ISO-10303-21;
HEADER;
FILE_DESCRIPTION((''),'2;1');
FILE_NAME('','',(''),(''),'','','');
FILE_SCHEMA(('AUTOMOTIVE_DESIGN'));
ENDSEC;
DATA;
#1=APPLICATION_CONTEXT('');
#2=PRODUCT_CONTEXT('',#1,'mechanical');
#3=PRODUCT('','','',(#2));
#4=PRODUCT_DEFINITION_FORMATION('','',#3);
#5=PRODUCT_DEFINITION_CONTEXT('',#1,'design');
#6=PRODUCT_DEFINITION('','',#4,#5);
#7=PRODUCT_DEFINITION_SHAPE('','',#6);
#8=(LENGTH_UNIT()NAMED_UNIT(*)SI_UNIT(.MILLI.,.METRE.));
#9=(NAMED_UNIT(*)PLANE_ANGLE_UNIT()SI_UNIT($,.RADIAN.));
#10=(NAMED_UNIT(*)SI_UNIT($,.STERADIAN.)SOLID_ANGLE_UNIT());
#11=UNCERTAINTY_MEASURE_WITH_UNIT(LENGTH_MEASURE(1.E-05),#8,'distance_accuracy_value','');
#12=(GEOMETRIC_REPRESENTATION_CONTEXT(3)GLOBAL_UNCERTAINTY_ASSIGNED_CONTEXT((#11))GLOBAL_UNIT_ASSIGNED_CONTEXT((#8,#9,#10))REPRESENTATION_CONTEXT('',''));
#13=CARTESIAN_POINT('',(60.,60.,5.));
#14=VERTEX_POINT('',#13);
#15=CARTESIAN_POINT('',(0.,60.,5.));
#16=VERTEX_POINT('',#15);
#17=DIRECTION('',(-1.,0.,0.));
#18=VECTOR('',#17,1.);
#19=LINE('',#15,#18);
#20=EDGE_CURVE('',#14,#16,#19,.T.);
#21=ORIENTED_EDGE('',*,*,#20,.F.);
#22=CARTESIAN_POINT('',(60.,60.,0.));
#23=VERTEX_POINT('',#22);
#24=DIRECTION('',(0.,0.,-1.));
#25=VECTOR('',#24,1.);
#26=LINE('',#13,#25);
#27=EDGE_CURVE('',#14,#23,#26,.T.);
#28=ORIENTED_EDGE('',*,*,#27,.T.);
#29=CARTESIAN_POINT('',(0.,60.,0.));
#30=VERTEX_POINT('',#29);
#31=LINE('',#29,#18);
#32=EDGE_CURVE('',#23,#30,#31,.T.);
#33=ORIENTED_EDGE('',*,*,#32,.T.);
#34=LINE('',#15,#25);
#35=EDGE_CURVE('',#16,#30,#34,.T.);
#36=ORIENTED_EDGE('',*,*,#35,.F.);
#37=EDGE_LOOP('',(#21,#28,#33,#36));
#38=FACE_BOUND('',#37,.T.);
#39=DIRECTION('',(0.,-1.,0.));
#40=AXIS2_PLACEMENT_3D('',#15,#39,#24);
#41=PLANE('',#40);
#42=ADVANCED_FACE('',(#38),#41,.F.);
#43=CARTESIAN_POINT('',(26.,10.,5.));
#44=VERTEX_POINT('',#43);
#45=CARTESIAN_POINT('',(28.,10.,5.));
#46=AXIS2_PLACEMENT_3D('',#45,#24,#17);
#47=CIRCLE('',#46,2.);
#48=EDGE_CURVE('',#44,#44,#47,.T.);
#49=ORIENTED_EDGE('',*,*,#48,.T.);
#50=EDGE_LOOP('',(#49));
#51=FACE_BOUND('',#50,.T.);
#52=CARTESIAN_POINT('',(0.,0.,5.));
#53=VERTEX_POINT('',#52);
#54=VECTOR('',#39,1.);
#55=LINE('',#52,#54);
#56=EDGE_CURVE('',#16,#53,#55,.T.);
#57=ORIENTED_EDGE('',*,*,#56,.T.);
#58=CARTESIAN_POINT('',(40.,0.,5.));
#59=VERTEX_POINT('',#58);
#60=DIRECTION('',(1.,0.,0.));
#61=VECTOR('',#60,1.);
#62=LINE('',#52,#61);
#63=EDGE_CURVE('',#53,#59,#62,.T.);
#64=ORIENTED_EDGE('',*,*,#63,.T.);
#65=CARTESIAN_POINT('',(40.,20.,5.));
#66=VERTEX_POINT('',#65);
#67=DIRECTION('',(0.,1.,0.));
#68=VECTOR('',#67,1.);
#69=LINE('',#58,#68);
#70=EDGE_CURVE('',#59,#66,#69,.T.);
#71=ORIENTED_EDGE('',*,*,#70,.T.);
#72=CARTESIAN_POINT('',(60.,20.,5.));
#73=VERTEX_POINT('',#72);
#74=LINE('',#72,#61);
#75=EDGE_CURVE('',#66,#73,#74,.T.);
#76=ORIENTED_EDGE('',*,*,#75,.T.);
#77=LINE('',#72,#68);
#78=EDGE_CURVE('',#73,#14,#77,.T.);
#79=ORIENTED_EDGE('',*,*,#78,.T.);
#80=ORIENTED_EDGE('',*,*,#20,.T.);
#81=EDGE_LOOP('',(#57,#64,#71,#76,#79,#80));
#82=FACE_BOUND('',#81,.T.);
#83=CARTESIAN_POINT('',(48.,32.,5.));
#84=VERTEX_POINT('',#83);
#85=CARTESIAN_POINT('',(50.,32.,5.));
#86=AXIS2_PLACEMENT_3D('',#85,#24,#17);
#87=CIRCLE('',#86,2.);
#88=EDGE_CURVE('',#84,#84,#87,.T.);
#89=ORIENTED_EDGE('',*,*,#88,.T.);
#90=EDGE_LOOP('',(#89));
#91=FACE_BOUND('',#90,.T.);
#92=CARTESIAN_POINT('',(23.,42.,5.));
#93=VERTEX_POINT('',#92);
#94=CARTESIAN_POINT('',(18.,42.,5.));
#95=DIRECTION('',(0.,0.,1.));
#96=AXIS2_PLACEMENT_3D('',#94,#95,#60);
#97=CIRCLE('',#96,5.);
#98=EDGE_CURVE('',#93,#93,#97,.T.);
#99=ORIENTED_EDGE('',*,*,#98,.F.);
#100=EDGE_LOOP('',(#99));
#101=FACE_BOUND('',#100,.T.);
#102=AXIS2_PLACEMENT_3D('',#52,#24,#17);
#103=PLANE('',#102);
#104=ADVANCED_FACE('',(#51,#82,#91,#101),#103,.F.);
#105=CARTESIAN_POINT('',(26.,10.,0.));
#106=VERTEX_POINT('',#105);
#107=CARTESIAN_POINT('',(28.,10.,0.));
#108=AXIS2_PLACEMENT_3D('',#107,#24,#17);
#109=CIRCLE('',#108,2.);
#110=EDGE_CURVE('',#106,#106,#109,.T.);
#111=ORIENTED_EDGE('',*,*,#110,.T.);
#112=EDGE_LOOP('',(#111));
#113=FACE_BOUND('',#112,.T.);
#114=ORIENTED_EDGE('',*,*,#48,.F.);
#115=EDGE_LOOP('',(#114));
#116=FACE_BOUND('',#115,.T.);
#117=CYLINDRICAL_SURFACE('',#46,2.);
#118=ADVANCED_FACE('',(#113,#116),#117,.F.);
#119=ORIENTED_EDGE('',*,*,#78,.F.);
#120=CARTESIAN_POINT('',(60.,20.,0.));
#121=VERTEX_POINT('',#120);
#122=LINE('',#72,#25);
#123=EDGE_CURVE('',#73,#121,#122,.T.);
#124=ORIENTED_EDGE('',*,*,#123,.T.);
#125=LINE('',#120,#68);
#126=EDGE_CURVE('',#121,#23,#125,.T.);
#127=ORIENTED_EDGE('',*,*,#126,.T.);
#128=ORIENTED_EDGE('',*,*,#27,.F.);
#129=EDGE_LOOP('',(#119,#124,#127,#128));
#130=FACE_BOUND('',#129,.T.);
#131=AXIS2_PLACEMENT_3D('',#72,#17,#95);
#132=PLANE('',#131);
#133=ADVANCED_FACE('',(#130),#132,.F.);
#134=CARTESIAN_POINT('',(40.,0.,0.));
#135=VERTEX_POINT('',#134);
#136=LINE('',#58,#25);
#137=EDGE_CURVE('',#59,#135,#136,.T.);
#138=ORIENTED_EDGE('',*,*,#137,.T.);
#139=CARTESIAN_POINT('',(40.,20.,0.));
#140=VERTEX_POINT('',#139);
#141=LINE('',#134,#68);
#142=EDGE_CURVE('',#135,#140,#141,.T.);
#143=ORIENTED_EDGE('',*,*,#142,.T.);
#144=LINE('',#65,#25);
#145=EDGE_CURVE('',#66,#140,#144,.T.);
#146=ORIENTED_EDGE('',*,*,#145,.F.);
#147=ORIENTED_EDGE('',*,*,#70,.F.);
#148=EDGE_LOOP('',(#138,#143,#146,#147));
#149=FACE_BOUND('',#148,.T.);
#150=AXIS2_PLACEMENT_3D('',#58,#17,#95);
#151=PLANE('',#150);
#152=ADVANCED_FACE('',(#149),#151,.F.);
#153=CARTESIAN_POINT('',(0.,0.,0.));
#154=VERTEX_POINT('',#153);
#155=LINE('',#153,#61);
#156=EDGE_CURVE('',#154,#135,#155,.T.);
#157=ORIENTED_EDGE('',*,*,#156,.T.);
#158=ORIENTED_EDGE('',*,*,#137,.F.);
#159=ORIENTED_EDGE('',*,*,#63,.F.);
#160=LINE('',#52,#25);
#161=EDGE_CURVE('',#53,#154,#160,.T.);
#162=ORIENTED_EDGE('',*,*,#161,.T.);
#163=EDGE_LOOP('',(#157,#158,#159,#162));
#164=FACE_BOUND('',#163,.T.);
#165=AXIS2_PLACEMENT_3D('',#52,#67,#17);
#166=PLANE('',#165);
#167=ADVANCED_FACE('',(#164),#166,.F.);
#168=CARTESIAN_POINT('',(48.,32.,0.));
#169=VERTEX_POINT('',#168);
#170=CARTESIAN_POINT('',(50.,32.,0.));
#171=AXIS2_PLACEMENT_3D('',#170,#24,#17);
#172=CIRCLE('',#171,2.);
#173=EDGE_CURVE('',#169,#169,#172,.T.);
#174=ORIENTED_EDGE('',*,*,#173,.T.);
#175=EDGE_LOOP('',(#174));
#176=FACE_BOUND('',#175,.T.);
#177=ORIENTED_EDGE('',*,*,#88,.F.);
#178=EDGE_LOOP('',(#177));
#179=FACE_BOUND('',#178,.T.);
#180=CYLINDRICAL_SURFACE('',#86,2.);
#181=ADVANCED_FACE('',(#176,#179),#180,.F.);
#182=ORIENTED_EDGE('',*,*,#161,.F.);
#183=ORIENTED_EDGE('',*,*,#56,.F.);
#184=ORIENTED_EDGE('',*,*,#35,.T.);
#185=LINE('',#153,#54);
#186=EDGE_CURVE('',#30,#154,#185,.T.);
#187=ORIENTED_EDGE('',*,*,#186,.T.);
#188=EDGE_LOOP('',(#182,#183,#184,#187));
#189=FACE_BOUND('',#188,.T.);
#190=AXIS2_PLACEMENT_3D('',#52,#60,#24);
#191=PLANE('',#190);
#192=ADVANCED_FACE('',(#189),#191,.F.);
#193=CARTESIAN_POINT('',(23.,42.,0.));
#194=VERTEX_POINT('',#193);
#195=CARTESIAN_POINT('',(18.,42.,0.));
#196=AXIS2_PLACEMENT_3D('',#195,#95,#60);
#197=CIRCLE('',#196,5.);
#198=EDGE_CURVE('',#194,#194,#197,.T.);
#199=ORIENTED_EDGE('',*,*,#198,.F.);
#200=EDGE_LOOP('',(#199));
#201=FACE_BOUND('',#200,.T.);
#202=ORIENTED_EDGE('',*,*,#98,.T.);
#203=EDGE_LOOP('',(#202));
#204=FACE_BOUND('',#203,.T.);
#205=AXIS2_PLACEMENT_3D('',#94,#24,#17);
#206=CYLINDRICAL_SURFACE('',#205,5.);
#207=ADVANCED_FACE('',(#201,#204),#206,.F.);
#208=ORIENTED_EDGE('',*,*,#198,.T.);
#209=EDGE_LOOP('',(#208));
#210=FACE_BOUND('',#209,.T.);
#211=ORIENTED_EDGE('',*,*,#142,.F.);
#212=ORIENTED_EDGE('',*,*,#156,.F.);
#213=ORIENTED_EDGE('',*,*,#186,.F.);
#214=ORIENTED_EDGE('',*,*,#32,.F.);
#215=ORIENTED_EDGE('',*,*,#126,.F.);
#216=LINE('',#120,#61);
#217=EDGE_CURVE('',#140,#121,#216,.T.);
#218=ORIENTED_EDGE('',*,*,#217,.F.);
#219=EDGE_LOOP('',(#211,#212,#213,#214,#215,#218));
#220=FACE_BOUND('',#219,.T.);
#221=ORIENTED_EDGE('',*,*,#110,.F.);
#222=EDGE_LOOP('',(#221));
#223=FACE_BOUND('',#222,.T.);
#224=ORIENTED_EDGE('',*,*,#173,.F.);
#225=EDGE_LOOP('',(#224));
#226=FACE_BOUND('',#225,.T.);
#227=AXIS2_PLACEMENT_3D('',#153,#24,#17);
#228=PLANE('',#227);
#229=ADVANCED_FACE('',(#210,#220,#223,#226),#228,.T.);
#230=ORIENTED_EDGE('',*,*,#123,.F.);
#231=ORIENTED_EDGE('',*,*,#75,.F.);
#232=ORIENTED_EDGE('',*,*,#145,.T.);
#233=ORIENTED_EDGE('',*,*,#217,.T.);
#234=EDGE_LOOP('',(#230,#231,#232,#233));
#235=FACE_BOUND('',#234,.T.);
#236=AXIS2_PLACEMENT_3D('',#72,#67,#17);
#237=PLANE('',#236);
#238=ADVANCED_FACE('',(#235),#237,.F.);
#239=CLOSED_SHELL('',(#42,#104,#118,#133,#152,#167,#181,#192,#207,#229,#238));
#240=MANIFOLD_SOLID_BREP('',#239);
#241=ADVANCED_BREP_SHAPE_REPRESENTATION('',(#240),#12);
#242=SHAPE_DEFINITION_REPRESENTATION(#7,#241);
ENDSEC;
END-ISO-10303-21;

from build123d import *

# Parameters (mm, degrees)
SKETCH1_R           = 5
BOSS_EXTRUDE1_DEPTH = 5
SKETCH2_R           = 2
CUT_EXTRUDE1_DEPTH  = 86


with BuildPart() as part:
    # Sketch1 → Boss-Extrude1 (new body)
    with BuildSketch(Plane.XY):
        Polygon((0, 0), (40, 0), (40, 20), (60, 20), (60, 60), (0, 60), align=None)
        with Locations((18, 42)):
            Circle(SKETCH1_R, mode=Mode.SUBTRACT)
    extrude(amount=BOSS_EXTRUDE1_DEPTH)

    # Sketch2 → Cut-Extrude1 (cut, through all)
    with BuildSketch(Plane(origin=(0, 0, 0), x_dir=(-1, 0, 0), z_dir=(0, 0, -1))):
        with Locations((-50, 32)):
            Circle(SKETCH2_R)
        with Locations((-28, 10)):
            Circle(SKETCH2_R)
    extrude(amount=-CUT_EXTRUDE1_DEPTH, mode=Mode.SUBTRACT)


solid = part.part
